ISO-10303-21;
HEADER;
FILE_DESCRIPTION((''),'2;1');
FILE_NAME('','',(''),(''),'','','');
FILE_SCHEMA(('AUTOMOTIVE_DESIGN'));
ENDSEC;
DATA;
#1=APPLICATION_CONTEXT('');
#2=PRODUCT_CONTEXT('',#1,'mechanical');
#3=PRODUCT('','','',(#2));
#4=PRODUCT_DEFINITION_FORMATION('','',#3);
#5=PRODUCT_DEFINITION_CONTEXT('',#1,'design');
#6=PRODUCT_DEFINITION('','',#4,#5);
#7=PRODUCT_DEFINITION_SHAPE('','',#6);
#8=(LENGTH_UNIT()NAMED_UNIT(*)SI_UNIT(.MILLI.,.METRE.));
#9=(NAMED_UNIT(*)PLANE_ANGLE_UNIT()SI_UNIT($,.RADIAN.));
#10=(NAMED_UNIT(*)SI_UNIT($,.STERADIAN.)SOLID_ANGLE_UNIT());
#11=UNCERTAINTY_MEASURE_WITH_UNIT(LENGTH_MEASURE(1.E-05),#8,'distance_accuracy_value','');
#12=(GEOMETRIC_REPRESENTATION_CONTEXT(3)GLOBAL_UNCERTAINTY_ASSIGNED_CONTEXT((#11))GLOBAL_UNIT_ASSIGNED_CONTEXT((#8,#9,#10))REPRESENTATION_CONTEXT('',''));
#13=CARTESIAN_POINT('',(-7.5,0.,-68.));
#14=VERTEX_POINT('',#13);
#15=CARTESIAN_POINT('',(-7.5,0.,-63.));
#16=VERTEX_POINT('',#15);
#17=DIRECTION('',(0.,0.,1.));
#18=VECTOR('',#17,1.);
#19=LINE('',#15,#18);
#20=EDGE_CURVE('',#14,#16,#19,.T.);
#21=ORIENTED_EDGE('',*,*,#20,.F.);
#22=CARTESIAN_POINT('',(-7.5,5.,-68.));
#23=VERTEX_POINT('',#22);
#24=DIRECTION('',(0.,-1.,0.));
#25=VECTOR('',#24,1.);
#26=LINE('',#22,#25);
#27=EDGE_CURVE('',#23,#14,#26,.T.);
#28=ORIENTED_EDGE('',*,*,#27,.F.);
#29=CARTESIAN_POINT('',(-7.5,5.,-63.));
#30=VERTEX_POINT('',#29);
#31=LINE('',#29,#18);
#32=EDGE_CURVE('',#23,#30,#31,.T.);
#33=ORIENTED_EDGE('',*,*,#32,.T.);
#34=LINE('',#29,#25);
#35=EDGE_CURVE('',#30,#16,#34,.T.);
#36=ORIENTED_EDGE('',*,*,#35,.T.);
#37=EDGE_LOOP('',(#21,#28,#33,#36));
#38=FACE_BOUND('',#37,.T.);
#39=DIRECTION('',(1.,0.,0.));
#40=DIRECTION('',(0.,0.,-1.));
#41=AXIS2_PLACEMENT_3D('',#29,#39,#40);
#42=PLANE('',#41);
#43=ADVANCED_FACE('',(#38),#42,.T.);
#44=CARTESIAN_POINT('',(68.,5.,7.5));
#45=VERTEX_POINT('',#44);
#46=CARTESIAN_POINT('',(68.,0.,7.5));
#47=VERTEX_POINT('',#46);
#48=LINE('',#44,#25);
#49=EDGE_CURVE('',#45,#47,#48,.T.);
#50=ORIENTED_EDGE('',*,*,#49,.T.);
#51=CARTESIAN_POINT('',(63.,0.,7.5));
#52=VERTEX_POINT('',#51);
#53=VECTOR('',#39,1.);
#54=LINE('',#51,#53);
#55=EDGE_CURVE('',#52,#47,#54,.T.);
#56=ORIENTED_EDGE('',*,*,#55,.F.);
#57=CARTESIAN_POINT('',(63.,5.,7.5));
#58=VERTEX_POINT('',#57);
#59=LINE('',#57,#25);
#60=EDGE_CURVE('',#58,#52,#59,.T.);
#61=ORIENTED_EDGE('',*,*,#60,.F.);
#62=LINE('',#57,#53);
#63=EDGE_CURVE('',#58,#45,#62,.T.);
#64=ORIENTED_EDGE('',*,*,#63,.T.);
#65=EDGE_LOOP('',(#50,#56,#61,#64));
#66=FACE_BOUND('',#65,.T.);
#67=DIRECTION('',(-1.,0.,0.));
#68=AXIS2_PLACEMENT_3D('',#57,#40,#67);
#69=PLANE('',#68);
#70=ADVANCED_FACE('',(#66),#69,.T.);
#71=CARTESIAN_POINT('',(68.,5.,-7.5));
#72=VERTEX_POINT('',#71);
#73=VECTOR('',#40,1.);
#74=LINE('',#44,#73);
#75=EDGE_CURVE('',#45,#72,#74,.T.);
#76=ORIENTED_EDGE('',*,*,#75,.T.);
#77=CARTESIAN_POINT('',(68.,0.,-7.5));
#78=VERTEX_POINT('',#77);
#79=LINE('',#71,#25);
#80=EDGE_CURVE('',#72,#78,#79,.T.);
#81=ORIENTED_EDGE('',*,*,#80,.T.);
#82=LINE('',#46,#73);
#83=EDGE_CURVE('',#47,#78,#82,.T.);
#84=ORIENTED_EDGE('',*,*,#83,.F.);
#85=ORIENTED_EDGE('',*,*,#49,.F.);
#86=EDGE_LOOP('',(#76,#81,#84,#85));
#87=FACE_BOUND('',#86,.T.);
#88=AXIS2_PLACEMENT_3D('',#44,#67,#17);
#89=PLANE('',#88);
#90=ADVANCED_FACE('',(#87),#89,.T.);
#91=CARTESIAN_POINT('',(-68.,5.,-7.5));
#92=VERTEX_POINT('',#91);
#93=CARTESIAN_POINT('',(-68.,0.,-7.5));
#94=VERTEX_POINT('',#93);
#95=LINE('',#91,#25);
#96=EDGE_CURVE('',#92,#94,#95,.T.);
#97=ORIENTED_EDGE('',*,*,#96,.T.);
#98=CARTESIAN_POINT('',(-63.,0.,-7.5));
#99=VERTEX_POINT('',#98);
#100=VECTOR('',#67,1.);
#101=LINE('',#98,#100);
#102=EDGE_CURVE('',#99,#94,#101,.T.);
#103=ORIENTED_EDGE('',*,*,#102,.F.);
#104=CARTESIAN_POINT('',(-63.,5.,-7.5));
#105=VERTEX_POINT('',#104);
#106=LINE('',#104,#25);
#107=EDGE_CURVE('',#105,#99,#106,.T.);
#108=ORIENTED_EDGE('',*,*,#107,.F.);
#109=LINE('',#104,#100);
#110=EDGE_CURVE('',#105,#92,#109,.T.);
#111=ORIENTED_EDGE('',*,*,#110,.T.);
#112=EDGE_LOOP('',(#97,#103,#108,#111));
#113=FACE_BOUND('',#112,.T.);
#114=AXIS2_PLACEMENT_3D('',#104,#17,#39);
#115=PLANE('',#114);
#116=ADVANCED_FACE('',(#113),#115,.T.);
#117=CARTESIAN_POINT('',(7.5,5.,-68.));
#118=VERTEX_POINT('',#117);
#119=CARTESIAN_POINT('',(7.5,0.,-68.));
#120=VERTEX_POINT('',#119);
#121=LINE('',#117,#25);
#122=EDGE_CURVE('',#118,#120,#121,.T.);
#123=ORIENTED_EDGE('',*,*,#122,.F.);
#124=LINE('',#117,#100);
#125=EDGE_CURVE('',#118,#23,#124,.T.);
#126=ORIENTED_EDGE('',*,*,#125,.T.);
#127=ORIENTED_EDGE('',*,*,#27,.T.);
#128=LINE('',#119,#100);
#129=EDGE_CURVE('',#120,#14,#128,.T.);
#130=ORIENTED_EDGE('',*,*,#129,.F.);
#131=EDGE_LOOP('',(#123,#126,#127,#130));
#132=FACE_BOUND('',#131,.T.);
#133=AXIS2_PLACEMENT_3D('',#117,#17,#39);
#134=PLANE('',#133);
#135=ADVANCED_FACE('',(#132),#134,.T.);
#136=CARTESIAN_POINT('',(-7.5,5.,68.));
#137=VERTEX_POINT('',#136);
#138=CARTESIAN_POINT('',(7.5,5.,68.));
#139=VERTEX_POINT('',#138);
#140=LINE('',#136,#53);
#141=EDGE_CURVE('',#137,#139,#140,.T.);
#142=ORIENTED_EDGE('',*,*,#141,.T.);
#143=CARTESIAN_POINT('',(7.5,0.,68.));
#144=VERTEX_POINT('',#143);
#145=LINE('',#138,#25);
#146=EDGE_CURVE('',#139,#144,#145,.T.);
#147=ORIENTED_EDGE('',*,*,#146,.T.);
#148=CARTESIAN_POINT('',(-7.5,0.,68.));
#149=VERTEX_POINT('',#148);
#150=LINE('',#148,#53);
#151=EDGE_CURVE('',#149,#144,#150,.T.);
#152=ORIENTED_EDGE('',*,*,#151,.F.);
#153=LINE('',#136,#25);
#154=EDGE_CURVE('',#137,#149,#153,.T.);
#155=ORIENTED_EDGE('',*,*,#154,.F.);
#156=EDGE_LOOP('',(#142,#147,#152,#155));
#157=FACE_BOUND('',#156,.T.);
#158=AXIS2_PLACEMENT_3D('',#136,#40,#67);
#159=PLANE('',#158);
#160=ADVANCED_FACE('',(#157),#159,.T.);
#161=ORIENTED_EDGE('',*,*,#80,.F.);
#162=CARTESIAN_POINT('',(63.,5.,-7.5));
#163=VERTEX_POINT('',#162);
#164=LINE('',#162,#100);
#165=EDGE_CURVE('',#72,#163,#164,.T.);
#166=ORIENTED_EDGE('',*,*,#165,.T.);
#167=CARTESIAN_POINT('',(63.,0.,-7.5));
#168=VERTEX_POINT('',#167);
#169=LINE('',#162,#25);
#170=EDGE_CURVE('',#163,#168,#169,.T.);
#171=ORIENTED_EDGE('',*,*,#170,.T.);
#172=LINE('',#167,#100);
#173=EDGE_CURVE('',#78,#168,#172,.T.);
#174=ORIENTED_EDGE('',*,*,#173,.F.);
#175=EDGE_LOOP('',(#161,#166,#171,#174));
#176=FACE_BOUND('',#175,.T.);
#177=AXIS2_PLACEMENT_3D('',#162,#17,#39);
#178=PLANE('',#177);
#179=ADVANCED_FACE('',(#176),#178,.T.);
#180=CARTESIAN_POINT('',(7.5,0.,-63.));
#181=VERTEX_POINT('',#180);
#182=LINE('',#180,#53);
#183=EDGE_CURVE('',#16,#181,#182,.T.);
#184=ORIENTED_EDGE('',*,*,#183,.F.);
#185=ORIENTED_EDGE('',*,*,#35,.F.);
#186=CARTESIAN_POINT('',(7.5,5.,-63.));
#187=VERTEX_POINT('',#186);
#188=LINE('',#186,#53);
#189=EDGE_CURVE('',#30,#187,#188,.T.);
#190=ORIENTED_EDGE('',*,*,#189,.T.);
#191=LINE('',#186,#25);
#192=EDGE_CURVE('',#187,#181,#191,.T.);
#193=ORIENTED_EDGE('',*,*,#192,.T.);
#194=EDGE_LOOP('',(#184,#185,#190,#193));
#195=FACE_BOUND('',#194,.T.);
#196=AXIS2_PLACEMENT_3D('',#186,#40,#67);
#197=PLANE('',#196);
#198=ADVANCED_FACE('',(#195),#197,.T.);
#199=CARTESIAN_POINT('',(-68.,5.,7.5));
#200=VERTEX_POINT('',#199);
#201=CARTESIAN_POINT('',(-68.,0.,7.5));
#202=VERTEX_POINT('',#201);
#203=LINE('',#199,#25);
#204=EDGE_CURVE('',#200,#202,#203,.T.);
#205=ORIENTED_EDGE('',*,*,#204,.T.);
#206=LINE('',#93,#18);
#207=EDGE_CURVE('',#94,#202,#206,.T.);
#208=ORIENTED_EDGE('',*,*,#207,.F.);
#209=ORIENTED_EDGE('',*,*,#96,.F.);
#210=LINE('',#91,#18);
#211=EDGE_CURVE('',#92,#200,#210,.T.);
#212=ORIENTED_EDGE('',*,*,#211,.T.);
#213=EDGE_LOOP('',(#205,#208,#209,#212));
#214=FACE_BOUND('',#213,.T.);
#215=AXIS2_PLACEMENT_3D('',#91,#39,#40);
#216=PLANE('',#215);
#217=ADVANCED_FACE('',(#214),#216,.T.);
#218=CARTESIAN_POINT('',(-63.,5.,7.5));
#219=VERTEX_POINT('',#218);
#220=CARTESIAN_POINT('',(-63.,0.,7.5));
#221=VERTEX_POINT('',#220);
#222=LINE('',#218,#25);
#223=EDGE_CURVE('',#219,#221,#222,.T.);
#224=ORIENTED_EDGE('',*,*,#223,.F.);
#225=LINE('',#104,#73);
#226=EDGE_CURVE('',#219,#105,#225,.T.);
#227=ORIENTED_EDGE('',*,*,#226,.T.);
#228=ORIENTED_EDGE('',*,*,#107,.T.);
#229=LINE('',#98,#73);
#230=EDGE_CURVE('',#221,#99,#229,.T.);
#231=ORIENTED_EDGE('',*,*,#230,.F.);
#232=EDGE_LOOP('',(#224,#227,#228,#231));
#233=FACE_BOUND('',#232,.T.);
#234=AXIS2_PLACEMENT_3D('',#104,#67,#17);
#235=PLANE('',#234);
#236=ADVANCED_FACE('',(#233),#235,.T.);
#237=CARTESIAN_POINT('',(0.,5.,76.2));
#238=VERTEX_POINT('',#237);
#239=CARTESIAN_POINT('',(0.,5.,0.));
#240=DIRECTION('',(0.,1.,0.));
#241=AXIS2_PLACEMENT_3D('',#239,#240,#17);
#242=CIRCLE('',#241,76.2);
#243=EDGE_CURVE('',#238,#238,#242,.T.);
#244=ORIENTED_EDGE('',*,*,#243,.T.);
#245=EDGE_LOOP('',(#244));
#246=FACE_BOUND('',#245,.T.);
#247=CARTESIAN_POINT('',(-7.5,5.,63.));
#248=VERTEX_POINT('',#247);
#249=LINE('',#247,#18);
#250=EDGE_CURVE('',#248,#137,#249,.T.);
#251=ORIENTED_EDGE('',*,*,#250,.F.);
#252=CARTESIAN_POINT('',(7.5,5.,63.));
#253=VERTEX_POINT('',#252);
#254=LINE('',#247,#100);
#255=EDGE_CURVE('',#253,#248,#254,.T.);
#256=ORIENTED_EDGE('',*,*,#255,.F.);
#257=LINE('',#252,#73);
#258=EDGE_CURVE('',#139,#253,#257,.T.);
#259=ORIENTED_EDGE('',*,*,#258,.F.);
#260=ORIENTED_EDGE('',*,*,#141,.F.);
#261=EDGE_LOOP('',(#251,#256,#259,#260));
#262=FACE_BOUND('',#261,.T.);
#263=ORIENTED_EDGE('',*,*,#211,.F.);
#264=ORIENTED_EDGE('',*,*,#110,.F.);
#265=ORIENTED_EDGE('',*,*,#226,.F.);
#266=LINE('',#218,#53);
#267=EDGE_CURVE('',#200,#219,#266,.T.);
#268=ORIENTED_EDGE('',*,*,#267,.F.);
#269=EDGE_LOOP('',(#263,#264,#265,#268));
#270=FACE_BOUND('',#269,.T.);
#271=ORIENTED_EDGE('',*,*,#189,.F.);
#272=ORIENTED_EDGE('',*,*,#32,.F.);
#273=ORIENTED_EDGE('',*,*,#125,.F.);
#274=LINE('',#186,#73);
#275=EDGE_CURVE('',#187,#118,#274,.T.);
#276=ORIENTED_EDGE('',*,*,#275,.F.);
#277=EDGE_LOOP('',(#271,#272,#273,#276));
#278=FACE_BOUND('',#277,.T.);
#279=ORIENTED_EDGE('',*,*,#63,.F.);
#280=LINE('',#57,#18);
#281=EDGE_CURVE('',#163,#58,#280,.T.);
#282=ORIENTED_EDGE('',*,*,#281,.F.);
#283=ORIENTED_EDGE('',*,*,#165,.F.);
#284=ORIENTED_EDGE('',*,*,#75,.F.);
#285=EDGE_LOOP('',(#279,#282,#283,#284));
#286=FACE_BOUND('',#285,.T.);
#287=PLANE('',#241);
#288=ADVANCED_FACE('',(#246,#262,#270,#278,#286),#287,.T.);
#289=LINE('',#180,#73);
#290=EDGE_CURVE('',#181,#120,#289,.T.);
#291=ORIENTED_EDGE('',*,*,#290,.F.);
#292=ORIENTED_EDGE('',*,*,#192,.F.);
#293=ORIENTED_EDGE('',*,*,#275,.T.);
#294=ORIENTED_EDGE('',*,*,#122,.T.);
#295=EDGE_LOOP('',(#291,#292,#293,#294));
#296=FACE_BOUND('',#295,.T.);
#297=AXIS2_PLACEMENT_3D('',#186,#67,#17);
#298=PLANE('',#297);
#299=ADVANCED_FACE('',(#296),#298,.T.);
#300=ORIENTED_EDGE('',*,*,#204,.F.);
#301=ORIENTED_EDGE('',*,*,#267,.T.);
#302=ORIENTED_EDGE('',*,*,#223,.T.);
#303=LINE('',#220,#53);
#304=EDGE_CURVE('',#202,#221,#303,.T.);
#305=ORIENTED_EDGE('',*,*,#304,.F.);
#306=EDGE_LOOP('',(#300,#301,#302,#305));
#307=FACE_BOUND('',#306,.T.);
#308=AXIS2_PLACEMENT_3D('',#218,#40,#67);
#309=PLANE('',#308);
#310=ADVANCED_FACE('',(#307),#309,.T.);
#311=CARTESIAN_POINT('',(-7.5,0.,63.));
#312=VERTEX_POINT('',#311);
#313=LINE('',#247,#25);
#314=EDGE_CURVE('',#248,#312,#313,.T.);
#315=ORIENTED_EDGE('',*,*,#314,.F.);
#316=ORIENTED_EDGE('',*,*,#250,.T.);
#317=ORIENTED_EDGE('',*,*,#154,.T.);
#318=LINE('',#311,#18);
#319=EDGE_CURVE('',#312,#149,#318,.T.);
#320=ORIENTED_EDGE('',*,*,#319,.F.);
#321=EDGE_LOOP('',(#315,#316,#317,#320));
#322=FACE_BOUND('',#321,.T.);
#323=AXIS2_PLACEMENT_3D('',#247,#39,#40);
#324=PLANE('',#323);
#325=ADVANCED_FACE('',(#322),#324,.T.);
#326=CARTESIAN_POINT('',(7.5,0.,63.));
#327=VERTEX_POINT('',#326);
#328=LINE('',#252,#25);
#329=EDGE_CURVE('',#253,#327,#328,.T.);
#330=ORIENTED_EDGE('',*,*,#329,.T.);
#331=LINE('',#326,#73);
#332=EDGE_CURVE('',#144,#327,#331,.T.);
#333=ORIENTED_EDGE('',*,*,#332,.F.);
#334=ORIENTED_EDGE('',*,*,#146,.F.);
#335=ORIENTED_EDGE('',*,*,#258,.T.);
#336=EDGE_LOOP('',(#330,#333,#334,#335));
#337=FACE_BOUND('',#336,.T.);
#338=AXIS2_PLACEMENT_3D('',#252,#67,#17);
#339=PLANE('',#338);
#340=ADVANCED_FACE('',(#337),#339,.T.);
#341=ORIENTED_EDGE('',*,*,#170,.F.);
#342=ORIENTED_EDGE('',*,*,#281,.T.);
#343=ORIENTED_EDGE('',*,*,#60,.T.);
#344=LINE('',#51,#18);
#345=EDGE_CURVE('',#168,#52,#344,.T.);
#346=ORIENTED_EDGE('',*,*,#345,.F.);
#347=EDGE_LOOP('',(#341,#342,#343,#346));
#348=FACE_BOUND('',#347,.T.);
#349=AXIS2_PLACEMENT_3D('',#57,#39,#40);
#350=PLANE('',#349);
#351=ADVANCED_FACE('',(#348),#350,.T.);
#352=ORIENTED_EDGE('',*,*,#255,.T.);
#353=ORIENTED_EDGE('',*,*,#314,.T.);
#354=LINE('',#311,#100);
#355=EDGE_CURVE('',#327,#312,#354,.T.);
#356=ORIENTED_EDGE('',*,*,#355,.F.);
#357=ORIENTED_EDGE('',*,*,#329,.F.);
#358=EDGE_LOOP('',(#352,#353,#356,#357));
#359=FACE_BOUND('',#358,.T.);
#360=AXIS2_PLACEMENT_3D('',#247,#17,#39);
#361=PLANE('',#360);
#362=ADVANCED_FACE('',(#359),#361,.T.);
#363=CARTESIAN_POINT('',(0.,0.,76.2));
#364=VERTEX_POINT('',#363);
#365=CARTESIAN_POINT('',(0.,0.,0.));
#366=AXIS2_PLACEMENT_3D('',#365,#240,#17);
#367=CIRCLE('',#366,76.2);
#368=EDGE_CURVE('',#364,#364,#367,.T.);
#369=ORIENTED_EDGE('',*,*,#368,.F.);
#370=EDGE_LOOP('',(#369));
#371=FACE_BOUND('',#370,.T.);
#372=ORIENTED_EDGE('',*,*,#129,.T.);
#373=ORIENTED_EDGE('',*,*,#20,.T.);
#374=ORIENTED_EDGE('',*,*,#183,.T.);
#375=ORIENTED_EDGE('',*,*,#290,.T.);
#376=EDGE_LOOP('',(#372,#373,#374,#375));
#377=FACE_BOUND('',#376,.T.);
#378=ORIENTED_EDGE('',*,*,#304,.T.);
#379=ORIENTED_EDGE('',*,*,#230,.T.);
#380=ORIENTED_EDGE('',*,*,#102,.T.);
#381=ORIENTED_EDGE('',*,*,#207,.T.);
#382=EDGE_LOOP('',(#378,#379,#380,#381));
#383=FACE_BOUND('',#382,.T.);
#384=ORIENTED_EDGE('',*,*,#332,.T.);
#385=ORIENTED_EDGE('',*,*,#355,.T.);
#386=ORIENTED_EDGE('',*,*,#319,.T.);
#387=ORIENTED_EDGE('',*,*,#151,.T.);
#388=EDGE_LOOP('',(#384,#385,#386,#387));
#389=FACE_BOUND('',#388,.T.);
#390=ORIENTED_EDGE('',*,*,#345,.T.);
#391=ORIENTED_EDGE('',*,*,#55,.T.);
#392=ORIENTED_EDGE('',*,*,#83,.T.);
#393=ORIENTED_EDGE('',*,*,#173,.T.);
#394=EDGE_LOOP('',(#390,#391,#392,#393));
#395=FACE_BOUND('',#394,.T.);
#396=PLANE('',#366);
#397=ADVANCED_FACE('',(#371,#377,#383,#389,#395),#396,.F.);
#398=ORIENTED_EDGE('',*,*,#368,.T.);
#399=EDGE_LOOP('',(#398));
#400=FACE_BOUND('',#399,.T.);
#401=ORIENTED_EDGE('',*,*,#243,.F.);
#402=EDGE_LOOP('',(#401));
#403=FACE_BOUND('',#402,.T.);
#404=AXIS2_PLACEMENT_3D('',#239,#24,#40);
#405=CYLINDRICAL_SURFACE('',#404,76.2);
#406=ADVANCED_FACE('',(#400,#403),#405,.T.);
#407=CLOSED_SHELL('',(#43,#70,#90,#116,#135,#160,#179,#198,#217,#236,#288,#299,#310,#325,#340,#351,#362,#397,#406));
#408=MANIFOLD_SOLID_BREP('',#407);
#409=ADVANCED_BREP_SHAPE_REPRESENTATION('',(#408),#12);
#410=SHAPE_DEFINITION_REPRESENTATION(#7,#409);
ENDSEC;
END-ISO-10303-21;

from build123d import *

# Parameters (mm, degrees)
SKETCH1_R           = 76.2
SKETCH1_W           = 15
SKETCH1_H           = 5
SKETCH1_W_2         = 5
SKETCH1_H_2         = 15
BOSS_EXTRUDE1_DEPTH = 5


with BuildPart() as part:
    # Sketch1 → Boss-Extrude1 (new body)
    with BuildSketch(Plane(origin=(0, 0, 0), x_dir=(1, 0, 0), z_dir=(0, 1, 0))):
        with Locations(Location((0, 0, 0), (0, 0, 270))):
            Circle(SKETCH1_R)
        with Locations((0, 65.5)):
            Rectangle(SKETCH1_W, SKETCH1_H, mode=Mode.SUBTRACT)
        with Locations((-65.5, 0)):
            Rectangle(SKETCH1_W_2, SKETCH1_H_2, mode=Mode.SUBTRACT)
        with Locations((65.5, 0)):
            Rectangle(SKETCH1_W_2, SKETCH1_H_2, mode=Mode.SUBTRACT)
        with Locations((0, -65.5)):
            Rectangle(SKETCH1_W, SKETCH1_H, mode=Mode.SUBTRACT)
    extrude(amount=BOSS_EXTRUDE1_DEPTH)


solid = part.part
